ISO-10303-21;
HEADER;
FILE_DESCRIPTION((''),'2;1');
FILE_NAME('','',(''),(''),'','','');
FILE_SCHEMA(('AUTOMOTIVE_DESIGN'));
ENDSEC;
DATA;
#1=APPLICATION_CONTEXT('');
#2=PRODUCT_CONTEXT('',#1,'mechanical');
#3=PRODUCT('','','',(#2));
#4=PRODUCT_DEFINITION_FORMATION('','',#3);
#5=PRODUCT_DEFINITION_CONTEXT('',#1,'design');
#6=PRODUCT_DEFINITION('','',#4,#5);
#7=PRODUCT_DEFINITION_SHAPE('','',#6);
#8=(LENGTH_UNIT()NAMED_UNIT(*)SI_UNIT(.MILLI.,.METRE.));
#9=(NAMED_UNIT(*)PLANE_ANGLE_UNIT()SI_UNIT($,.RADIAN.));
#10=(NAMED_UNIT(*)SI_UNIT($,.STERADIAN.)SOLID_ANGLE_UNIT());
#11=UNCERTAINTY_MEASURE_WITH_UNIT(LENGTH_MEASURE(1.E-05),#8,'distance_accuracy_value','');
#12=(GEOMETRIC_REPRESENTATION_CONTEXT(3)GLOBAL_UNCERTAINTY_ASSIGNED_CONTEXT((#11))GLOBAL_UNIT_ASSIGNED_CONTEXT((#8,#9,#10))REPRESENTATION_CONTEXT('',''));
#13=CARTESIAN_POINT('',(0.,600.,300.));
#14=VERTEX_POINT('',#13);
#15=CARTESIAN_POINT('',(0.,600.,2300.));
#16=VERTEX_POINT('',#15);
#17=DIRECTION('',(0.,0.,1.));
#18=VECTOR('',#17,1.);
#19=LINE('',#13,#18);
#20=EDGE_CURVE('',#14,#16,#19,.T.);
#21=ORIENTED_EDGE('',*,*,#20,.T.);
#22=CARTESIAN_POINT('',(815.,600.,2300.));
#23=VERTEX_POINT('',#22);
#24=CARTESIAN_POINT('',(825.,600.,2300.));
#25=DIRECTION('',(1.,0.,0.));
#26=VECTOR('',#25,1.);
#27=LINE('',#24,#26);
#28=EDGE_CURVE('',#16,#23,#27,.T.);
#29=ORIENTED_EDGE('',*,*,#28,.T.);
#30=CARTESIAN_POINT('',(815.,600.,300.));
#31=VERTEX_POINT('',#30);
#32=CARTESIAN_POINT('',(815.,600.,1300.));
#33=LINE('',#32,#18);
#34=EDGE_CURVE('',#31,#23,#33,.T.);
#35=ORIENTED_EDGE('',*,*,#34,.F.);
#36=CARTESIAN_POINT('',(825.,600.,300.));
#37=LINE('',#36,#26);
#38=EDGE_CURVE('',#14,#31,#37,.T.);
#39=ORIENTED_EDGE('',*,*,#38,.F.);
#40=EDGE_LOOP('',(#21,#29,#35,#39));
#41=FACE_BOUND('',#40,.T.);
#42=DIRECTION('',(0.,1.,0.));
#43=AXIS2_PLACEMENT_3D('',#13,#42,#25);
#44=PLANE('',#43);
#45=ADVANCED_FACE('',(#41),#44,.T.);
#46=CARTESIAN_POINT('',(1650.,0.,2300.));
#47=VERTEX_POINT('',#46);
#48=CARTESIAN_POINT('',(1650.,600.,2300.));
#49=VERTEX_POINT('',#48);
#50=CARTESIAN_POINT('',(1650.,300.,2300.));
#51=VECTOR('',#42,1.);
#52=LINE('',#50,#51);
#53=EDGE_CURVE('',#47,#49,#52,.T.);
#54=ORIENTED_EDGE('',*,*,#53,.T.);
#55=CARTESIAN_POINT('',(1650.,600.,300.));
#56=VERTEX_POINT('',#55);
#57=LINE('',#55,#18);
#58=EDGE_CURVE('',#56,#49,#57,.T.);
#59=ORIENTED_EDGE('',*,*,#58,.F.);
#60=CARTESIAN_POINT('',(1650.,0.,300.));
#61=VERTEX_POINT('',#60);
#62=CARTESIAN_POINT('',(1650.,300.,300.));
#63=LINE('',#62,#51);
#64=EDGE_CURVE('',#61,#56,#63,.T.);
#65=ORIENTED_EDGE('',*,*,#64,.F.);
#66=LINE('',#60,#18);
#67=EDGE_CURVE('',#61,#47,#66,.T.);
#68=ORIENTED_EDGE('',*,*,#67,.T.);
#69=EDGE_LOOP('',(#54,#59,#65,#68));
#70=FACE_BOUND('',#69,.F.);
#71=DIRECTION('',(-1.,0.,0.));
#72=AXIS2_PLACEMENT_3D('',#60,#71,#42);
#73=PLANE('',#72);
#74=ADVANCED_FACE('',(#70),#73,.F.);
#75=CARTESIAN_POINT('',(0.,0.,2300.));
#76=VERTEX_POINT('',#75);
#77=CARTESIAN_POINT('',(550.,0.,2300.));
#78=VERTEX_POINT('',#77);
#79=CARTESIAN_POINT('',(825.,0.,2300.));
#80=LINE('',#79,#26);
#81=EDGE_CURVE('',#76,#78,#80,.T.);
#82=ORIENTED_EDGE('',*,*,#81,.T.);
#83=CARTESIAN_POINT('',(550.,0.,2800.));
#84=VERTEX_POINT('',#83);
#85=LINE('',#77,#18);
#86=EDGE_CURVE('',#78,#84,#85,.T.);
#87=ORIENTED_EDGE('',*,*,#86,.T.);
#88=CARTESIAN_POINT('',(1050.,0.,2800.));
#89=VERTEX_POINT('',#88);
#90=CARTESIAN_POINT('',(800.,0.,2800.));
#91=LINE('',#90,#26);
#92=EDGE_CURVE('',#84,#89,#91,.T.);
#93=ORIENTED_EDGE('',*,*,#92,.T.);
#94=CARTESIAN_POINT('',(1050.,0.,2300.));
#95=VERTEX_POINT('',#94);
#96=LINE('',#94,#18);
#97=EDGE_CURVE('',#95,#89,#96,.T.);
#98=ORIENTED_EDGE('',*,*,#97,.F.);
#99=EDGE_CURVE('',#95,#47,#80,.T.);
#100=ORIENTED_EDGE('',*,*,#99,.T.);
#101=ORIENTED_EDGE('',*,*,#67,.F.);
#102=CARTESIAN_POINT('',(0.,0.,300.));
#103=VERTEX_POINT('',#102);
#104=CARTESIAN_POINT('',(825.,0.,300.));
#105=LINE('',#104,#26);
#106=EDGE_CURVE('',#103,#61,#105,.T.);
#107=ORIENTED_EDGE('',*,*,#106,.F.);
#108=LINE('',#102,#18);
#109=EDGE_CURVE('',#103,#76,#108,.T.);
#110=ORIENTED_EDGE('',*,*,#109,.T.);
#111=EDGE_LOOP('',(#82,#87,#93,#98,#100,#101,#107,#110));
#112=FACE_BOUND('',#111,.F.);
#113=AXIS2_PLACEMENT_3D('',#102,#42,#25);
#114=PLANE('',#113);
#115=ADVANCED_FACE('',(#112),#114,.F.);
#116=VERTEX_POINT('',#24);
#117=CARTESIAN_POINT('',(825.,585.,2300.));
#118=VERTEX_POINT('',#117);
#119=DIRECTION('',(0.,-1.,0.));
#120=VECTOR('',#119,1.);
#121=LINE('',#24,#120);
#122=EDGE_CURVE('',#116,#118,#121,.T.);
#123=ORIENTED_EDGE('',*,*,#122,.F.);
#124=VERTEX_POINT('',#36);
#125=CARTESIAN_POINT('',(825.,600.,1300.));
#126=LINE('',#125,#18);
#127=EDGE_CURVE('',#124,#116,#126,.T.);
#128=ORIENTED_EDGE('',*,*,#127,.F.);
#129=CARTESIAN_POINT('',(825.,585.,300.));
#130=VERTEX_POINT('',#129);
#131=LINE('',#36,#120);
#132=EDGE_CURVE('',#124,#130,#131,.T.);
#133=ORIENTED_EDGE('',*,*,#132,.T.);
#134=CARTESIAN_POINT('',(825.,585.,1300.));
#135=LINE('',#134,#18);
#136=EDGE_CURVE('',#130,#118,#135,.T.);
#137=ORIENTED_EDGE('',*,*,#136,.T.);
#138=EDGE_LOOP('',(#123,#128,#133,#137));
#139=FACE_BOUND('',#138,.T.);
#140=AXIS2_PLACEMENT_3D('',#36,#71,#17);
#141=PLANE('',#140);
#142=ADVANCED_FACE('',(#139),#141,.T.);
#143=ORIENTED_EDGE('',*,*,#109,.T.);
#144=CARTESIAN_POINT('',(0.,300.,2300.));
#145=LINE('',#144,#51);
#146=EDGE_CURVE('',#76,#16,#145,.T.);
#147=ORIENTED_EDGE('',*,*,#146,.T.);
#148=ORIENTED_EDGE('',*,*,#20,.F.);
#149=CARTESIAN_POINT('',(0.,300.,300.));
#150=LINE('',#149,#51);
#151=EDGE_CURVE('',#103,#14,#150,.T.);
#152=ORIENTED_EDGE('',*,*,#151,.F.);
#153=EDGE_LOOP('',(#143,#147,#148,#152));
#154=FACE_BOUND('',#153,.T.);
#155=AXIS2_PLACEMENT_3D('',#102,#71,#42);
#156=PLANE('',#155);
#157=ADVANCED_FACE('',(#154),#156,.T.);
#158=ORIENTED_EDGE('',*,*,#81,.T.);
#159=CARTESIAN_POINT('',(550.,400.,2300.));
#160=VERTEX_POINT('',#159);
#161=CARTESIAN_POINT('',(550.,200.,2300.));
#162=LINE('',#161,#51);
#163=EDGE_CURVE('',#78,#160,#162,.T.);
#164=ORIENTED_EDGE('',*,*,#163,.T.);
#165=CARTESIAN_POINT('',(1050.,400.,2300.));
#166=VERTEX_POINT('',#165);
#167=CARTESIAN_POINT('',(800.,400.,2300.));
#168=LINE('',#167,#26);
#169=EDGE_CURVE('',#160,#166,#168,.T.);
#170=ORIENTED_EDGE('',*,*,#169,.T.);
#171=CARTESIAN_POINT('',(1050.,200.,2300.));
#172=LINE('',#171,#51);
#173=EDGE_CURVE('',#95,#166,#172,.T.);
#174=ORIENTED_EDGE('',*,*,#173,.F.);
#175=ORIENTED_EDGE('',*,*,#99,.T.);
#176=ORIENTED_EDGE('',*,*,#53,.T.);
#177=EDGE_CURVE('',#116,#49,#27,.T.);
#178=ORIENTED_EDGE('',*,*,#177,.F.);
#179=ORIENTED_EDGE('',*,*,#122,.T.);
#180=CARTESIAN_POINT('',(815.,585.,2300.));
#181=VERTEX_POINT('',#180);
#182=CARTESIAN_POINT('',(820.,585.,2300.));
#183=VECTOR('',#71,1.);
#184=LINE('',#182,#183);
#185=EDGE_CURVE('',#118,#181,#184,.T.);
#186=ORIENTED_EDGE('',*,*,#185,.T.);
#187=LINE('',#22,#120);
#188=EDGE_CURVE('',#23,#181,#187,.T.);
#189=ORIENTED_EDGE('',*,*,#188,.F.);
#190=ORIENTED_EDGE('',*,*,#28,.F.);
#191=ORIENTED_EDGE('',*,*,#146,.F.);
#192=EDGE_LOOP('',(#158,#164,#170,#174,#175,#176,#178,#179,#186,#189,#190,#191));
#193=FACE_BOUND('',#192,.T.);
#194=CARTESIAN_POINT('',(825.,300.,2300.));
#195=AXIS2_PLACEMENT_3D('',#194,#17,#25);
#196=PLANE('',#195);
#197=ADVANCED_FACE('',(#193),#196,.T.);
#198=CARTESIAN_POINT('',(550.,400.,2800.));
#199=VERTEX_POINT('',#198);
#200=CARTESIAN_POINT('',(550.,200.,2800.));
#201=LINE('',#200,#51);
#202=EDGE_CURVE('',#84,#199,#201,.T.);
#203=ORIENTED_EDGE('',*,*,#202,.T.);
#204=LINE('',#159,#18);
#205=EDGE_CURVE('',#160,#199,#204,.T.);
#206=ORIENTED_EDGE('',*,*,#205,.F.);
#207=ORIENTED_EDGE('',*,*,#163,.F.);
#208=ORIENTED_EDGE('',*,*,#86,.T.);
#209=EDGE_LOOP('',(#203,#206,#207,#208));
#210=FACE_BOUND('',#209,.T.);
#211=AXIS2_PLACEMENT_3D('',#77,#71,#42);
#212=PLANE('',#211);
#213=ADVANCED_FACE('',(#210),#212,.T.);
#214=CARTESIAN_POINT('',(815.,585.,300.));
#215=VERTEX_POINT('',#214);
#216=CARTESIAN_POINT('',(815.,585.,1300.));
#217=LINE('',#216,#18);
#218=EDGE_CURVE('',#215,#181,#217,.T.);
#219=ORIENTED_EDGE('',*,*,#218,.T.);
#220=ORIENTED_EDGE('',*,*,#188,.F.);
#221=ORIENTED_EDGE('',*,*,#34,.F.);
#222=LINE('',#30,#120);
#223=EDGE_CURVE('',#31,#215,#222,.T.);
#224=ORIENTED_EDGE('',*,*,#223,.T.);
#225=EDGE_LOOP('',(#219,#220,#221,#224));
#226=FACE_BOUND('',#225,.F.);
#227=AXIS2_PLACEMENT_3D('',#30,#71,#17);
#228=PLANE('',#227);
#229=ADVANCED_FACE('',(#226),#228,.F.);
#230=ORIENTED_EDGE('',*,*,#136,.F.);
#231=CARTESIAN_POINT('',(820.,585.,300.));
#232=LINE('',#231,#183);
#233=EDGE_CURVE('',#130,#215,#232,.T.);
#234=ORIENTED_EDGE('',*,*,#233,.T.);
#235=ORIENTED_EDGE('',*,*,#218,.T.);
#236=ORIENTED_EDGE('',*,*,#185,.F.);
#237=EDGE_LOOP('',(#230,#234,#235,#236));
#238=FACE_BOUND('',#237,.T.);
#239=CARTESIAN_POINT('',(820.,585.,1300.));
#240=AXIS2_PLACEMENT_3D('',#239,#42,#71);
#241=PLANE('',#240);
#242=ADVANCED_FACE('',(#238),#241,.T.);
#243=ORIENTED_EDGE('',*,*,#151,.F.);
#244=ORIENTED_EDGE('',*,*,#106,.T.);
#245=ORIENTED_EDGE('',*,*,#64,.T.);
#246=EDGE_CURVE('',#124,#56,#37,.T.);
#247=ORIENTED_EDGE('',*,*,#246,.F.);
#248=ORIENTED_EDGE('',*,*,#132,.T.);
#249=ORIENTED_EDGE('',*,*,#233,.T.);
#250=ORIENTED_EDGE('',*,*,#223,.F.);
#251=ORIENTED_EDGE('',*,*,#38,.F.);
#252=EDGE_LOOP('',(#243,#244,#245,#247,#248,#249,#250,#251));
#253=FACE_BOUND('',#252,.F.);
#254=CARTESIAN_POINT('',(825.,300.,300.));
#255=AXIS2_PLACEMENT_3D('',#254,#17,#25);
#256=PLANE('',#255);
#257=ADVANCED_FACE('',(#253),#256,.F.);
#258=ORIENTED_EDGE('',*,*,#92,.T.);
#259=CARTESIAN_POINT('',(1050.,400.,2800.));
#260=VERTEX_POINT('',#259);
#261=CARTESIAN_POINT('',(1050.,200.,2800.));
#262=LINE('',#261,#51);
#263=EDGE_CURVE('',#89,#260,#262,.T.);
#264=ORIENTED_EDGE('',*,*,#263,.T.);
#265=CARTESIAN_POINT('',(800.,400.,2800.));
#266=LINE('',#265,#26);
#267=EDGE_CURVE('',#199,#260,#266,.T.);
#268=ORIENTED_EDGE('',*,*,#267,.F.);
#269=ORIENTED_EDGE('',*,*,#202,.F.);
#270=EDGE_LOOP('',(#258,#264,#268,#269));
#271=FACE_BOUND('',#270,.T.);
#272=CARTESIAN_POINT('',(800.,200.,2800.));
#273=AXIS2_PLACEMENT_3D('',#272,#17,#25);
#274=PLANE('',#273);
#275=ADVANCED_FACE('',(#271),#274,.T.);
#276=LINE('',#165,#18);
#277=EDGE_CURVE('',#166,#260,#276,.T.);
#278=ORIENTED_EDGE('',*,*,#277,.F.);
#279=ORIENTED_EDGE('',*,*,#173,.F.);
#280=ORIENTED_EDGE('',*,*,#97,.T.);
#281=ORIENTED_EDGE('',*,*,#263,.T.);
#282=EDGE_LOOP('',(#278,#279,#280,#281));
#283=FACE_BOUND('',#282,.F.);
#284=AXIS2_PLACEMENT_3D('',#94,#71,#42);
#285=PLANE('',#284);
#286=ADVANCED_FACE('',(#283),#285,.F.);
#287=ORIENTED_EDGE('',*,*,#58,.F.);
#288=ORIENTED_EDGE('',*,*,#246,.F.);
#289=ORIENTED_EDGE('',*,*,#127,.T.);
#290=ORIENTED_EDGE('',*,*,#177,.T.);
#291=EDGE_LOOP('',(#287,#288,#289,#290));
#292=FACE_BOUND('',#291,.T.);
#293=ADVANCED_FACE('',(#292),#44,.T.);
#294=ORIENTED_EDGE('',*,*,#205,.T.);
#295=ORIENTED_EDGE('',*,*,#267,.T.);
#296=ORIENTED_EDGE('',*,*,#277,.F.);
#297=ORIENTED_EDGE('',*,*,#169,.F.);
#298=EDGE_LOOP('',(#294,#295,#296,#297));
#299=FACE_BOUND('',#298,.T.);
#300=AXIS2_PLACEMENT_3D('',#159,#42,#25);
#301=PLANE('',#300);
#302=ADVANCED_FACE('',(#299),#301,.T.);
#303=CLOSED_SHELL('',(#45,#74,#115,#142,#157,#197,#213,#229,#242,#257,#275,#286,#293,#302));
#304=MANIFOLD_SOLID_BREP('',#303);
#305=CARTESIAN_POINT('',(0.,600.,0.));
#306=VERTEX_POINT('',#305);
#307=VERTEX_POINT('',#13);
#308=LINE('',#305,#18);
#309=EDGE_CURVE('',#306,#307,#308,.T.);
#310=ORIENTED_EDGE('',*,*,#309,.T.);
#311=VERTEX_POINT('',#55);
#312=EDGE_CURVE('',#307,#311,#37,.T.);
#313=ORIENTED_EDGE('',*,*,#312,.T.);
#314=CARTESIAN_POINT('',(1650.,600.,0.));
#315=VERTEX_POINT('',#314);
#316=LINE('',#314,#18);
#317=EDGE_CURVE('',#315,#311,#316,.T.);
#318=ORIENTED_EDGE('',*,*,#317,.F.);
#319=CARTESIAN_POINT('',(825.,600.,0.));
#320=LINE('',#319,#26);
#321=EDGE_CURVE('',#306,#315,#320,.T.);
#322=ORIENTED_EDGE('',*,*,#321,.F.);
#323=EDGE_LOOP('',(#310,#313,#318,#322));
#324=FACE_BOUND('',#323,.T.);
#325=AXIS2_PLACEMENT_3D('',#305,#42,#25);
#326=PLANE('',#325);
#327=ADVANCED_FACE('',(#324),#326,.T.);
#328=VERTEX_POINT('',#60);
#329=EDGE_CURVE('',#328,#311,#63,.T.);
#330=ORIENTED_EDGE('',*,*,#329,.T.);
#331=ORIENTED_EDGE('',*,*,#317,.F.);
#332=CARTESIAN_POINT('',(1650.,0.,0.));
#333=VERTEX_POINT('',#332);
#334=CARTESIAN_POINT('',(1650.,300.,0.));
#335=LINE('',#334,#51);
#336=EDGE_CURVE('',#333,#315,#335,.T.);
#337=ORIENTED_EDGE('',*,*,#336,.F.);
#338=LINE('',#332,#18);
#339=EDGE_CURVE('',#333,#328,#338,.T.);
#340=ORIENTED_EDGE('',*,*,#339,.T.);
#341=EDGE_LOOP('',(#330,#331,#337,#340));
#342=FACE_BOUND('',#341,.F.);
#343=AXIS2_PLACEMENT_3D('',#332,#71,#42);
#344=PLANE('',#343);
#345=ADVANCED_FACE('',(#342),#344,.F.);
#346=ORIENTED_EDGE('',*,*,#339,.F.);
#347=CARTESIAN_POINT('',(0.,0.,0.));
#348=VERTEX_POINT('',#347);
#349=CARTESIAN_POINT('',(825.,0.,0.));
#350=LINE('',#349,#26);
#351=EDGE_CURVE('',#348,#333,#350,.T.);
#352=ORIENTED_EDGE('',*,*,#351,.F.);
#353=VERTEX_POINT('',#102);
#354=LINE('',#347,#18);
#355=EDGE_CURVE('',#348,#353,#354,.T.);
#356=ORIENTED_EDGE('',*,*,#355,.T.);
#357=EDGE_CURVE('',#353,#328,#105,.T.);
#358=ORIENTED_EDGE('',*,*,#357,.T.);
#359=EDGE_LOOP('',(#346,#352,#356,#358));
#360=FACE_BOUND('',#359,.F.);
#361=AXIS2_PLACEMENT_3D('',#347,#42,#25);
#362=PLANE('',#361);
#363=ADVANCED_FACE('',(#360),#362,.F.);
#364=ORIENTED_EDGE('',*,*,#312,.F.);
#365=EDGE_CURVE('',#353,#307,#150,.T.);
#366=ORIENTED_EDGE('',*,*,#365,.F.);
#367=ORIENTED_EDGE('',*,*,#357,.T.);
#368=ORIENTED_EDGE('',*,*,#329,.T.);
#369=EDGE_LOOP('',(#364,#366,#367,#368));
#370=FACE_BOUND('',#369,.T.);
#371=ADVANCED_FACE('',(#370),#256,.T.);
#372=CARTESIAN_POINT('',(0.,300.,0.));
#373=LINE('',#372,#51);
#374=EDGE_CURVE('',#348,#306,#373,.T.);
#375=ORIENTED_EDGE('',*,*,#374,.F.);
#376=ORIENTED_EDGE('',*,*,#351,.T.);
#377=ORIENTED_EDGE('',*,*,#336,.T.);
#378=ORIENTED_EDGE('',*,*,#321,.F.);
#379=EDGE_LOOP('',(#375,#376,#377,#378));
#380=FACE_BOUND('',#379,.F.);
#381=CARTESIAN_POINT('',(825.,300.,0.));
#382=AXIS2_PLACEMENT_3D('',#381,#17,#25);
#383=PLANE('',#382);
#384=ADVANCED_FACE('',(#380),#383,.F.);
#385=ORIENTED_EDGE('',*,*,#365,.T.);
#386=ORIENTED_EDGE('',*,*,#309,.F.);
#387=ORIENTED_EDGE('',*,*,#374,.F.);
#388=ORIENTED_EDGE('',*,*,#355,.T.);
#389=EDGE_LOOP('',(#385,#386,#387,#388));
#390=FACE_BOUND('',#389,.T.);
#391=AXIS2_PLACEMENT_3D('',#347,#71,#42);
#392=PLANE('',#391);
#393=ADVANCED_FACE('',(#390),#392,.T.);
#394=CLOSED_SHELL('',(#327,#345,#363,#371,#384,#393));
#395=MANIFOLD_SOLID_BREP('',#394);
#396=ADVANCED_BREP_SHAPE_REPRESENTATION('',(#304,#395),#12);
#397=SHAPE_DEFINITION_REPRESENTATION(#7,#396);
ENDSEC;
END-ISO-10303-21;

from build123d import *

# Parameters (mm, degrees)
F0_W     = 1650
F0_H     = 600
F1_DEPTH = 300
F2_W     = 1650
F2_H     = 600
F3_DEPTH = 2000
F4_W     = 10
F4_H     = 2000
F5_DEPTH = 15
F6_W     = 500
F6_H     = 400
F7_DEPTH = 500


with BuildPart() as f1:
    # F0 (on Top) → F1 (new body)
    with BuildSketch(Plane.XY):
        with Locations((825, 300)):
            Rectangle(F0_W, F0_H)
    extrude(amount=F1_DEPTH)


with BuildPart() as f3:
    # F2 (on face) → F3 (new body)
    with BuildSketch(Plane.XY.offset(300)):
        with Locations((825, 300)):
            Rectangle(F2_W, F2_H)
    extrude(amount=F3_DEPTH)

    # F4 (on face) → F5 (cut)
    with BuildSketch(Plane(origin=(0, 600, 0), x_dir=(-1, 0, 0), z_dir=(0, 1, 0))):
        with Locations((-820, 1300)):
            Rectangle(F4_W, F4_H)
    extrude(amount=-F5_DEPTH, mode=Mode.SUBTRACT)

    # F6 (on face) → F7 (join)
    with BuildSketch(Plane.XY.offset(2300)):
        with Locations((800, 200)):
            Rectangle(F6_W, F6_H)
    extrude(amount=F7_DEPTH)


solid = Compound([f1.part, f3.part])
